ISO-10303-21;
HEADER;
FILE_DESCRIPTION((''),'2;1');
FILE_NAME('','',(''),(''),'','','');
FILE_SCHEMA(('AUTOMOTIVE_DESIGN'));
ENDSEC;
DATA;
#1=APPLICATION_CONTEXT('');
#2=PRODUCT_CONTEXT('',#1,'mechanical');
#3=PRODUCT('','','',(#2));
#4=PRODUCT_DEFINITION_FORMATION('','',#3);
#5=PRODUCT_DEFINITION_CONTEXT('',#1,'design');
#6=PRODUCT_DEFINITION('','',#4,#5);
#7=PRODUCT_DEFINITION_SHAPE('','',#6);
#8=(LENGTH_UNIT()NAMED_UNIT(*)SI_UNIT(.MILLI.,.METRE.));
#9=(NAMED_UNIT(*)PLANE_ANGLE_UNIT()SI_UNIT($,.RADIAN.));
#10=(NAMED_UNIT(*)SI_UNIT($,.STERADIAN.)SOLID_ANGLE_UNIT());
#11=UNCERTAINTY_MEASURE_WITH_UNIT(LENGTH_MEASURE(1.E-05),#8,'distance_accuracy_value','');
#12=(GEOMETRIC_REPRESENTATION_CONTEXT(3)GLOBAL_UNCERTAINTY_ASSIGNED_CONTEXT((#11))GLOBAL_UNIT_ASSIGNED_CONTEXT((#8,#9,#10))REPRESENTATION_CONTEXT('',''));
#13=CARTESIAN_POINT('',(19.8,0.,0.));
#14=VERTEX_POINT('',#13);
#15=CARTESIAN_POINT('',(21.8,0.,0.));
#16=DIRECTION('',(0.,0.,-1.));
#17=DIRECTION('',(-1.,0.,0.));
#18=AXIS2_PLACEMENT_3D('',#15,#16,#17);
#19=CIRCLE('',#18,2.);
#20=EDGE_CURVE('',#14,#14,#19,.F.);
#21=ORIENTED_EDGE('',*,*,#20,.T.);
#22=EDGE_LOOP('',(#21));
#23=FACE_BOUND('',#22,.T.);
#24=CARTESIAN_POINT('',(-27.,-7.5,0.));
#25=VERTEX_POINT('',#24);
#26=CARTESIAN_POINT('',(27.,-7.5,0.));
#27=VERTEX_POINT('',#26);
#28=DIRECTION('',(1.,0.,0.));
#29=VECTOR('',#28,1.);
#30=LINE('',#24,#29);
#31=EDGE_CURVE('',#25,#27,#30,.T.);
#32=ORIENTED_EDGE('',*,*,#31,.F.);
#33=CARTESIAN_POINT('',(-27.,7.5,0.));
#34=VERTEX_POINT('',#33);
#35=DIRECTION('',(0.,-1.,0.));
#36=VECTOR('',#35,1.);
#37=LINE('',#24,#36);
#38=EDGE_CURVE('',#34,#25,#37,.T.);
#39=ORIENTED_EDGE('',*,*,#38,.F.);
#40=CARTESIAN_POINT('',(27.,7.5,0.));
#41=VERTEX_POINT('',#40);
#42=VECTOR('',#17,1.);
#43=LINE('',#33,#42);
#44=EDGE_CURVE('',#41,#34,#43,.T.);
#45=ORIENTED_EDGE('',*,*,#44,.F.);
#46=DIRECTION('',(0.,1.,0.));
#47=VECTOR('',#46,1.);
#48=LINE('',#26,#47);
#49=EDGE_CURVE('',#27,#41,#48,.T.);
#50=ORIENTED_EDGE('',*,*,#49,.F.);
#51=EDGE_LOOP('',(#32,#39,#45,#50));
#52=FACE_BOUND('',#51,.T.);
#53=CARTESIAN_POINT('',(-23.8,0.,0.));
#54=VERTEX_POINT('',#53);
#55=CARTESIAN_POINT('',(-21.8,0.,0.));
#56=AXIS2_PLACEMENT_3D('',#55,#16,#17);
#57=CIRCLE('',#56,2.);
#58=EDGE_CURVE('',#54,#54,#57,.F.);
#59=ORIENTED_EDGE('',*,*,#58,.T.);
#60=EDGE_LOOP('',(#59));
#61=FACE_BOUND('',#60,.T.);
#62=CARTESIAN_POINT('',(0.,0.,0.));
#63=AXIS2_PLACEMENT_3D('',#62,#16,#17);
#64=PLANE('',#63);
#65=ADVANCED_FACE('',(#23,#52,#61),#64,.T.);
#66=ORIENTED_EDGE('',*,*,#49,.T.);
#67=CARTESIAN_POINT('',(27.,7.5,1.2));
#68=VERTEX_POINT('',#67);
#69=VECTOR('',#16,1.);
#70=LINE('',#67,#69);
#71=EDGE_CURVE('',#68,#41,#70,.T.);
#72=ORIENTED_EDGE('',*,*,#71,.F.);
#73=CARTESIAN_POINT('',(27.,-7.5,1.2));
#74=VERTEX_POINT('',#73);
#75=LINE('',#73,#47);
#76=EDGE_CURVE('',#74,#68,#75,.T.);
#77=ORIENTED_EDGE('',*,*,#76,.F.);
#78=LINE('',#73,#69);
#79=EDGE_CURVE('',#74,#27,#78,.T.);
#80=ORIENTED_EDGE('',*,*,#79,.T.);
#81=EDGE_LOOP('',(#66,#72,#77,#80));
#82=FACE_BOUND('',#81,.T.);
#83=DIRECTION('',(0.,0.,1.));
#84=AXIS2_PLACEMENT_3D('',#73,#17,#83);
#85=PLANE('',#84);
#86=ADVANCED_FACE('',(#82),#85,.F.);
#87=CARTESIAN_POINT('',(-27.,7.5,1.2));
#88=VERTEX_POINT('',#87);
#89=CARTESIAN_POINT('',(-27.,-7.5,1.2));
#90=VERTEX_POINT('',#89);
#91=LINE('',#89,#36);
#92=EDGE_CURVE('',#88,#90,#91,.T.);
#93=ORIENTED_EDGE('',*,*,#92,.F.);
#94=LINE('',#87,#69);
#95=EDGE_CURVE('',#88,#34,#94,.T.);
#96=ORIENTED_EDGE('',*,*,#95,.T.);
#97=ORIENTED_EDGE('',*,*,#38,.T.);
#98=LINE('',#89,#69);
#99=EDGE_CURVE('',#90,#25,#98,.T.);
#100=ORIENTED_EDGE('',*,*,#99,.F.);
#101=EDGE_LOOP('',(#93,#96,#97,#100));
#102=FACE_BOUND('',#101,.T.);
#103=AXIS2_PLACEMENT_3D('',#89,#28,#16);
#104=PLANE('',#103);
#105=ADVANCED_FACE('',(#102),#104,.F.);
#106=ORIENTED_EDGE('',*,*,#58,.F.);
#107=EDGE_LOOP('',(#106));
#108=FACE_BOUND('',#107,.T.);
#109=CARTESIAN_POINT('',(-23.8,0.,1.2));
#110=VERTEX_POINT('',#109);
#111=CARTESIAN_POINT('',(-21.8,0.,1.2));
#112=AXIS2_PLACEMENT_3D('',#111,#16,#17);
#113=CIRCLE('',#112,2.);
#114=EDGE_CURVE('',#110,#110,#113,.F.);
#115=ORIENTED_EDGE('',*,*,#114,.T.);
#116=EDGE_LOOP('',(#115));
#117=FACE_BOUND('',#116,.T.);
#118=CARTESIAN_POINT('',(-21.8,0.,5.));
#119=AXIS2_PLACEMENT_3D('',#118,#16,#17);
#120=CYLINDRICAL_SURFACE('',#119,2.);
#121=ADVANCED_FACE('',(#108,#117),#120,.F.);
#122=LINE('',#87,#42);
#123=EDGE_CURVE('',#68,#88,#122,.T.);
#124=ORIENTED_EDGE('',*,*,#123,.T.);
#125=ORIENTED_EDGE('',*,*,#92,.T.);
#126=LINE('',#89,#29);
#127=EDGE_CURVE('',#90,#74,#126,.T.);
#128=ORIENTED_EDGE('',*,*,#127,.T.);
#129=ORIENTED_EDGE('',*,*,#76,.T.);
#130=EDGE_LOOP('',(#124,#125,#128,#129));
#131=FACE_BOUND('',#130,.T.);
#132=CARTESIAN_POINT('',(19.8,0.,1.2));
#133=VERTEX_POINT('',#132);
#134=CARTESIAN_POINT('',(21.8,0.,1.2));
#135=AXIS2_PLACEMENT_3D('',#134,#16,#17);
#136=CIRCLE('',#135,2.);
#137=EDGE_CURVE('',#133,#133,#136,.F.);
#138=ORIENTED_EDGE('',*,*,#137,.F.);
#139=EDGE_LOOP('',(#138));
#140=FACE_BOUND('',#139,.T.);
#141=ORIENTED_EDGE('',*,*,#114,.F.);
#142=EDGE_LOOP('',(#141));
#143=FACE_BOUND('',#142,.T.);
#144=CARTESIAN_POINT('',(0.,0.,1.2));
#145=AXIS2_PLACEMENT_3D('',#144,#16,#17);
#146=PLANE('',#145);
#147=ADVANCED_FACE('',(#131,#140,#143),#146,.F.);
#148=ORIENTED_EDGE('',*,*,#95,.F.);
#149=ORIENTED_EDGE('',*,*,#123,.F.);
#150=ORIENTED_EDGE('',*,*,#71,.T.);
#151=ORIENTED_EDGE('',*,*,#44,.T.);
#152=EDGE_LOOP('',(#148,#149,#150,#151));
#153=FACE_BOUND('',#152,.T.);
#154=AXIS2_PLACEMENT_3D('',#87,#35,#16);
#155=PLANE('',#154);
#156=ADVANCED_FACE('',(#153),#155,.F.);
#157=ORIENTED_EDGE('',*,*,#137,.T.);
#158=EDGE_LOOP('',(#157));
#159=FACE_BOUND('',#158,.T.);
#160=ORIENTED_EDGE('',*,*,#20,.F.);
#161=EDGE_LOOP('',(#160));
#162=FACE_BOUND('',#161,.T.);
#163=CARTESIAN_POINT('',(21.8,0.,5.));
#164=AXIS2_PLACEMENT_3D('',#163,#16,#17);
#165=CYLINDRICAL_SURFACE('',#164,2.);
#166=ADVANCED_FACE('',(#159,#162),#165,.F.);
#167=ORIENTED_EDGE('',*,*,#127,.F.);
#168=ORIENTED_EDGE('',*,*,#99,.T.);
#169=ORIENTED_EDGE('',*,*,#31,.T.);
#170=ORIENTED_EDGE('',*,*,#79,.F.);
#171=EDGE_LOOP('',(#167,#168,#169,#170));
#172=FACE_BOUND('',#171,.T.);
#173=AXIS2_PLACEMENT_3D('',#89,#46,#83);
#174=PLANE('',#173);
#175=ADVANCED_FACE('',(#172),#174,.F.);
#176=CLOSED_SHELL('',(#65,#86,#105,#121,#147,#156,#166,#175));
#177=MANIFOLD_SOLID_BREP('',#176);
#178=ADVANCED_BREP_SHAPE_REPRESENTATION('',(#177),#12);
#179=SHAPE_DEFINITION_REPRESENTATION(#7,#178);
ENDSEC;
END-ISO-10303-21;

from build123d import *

# Parameters (mm, degrees)
ESBO_O1_W                  = 54
ESBO_O1_H                  = 15
RESSALTO_EXTRUS_O1_DEPTH   = 1.2
CORTE_EXTRUS_O1_DEPTH      = 5
CORTE_EXTRUS_O1_DEPTH_BACK = 1.2
ESBO_O2_R                  = 2


with BuildPart() as part:
    # Esboço1 → Ressalto-extrusão1 (new body)
    with BuildSketch(Plane.XY):
        Rectangle(ESBO_O1_W, ESBO_O1_H)
    extrude(amount=RESSALTO_EXTRUS_O1_DEPTH)

    # Esboço2 → Corte-extrusão1 (cut, two sides: drawn at the far end of the back side and taken through both)
    with BuildSketch(Plane.XY.offset(-CORTE_EXTRUS_O1_DEPTH_BACK)):
        with Locations(Location((-21.8, 0, 0), (0, 0, 180))):
            Circle(ESBO_O2_R)
        with Locations(Location((21.8, 0, 0), (0, 0, 180))):
            Circle(ESBO_O2_R)
    extrude(amount=CORTE_EXTRUS_O1_DEPTH + CORTE_EXTRUS_O1_DEPTH_BACK, mode=Mode.SUBTRACT)


solid = part.part
